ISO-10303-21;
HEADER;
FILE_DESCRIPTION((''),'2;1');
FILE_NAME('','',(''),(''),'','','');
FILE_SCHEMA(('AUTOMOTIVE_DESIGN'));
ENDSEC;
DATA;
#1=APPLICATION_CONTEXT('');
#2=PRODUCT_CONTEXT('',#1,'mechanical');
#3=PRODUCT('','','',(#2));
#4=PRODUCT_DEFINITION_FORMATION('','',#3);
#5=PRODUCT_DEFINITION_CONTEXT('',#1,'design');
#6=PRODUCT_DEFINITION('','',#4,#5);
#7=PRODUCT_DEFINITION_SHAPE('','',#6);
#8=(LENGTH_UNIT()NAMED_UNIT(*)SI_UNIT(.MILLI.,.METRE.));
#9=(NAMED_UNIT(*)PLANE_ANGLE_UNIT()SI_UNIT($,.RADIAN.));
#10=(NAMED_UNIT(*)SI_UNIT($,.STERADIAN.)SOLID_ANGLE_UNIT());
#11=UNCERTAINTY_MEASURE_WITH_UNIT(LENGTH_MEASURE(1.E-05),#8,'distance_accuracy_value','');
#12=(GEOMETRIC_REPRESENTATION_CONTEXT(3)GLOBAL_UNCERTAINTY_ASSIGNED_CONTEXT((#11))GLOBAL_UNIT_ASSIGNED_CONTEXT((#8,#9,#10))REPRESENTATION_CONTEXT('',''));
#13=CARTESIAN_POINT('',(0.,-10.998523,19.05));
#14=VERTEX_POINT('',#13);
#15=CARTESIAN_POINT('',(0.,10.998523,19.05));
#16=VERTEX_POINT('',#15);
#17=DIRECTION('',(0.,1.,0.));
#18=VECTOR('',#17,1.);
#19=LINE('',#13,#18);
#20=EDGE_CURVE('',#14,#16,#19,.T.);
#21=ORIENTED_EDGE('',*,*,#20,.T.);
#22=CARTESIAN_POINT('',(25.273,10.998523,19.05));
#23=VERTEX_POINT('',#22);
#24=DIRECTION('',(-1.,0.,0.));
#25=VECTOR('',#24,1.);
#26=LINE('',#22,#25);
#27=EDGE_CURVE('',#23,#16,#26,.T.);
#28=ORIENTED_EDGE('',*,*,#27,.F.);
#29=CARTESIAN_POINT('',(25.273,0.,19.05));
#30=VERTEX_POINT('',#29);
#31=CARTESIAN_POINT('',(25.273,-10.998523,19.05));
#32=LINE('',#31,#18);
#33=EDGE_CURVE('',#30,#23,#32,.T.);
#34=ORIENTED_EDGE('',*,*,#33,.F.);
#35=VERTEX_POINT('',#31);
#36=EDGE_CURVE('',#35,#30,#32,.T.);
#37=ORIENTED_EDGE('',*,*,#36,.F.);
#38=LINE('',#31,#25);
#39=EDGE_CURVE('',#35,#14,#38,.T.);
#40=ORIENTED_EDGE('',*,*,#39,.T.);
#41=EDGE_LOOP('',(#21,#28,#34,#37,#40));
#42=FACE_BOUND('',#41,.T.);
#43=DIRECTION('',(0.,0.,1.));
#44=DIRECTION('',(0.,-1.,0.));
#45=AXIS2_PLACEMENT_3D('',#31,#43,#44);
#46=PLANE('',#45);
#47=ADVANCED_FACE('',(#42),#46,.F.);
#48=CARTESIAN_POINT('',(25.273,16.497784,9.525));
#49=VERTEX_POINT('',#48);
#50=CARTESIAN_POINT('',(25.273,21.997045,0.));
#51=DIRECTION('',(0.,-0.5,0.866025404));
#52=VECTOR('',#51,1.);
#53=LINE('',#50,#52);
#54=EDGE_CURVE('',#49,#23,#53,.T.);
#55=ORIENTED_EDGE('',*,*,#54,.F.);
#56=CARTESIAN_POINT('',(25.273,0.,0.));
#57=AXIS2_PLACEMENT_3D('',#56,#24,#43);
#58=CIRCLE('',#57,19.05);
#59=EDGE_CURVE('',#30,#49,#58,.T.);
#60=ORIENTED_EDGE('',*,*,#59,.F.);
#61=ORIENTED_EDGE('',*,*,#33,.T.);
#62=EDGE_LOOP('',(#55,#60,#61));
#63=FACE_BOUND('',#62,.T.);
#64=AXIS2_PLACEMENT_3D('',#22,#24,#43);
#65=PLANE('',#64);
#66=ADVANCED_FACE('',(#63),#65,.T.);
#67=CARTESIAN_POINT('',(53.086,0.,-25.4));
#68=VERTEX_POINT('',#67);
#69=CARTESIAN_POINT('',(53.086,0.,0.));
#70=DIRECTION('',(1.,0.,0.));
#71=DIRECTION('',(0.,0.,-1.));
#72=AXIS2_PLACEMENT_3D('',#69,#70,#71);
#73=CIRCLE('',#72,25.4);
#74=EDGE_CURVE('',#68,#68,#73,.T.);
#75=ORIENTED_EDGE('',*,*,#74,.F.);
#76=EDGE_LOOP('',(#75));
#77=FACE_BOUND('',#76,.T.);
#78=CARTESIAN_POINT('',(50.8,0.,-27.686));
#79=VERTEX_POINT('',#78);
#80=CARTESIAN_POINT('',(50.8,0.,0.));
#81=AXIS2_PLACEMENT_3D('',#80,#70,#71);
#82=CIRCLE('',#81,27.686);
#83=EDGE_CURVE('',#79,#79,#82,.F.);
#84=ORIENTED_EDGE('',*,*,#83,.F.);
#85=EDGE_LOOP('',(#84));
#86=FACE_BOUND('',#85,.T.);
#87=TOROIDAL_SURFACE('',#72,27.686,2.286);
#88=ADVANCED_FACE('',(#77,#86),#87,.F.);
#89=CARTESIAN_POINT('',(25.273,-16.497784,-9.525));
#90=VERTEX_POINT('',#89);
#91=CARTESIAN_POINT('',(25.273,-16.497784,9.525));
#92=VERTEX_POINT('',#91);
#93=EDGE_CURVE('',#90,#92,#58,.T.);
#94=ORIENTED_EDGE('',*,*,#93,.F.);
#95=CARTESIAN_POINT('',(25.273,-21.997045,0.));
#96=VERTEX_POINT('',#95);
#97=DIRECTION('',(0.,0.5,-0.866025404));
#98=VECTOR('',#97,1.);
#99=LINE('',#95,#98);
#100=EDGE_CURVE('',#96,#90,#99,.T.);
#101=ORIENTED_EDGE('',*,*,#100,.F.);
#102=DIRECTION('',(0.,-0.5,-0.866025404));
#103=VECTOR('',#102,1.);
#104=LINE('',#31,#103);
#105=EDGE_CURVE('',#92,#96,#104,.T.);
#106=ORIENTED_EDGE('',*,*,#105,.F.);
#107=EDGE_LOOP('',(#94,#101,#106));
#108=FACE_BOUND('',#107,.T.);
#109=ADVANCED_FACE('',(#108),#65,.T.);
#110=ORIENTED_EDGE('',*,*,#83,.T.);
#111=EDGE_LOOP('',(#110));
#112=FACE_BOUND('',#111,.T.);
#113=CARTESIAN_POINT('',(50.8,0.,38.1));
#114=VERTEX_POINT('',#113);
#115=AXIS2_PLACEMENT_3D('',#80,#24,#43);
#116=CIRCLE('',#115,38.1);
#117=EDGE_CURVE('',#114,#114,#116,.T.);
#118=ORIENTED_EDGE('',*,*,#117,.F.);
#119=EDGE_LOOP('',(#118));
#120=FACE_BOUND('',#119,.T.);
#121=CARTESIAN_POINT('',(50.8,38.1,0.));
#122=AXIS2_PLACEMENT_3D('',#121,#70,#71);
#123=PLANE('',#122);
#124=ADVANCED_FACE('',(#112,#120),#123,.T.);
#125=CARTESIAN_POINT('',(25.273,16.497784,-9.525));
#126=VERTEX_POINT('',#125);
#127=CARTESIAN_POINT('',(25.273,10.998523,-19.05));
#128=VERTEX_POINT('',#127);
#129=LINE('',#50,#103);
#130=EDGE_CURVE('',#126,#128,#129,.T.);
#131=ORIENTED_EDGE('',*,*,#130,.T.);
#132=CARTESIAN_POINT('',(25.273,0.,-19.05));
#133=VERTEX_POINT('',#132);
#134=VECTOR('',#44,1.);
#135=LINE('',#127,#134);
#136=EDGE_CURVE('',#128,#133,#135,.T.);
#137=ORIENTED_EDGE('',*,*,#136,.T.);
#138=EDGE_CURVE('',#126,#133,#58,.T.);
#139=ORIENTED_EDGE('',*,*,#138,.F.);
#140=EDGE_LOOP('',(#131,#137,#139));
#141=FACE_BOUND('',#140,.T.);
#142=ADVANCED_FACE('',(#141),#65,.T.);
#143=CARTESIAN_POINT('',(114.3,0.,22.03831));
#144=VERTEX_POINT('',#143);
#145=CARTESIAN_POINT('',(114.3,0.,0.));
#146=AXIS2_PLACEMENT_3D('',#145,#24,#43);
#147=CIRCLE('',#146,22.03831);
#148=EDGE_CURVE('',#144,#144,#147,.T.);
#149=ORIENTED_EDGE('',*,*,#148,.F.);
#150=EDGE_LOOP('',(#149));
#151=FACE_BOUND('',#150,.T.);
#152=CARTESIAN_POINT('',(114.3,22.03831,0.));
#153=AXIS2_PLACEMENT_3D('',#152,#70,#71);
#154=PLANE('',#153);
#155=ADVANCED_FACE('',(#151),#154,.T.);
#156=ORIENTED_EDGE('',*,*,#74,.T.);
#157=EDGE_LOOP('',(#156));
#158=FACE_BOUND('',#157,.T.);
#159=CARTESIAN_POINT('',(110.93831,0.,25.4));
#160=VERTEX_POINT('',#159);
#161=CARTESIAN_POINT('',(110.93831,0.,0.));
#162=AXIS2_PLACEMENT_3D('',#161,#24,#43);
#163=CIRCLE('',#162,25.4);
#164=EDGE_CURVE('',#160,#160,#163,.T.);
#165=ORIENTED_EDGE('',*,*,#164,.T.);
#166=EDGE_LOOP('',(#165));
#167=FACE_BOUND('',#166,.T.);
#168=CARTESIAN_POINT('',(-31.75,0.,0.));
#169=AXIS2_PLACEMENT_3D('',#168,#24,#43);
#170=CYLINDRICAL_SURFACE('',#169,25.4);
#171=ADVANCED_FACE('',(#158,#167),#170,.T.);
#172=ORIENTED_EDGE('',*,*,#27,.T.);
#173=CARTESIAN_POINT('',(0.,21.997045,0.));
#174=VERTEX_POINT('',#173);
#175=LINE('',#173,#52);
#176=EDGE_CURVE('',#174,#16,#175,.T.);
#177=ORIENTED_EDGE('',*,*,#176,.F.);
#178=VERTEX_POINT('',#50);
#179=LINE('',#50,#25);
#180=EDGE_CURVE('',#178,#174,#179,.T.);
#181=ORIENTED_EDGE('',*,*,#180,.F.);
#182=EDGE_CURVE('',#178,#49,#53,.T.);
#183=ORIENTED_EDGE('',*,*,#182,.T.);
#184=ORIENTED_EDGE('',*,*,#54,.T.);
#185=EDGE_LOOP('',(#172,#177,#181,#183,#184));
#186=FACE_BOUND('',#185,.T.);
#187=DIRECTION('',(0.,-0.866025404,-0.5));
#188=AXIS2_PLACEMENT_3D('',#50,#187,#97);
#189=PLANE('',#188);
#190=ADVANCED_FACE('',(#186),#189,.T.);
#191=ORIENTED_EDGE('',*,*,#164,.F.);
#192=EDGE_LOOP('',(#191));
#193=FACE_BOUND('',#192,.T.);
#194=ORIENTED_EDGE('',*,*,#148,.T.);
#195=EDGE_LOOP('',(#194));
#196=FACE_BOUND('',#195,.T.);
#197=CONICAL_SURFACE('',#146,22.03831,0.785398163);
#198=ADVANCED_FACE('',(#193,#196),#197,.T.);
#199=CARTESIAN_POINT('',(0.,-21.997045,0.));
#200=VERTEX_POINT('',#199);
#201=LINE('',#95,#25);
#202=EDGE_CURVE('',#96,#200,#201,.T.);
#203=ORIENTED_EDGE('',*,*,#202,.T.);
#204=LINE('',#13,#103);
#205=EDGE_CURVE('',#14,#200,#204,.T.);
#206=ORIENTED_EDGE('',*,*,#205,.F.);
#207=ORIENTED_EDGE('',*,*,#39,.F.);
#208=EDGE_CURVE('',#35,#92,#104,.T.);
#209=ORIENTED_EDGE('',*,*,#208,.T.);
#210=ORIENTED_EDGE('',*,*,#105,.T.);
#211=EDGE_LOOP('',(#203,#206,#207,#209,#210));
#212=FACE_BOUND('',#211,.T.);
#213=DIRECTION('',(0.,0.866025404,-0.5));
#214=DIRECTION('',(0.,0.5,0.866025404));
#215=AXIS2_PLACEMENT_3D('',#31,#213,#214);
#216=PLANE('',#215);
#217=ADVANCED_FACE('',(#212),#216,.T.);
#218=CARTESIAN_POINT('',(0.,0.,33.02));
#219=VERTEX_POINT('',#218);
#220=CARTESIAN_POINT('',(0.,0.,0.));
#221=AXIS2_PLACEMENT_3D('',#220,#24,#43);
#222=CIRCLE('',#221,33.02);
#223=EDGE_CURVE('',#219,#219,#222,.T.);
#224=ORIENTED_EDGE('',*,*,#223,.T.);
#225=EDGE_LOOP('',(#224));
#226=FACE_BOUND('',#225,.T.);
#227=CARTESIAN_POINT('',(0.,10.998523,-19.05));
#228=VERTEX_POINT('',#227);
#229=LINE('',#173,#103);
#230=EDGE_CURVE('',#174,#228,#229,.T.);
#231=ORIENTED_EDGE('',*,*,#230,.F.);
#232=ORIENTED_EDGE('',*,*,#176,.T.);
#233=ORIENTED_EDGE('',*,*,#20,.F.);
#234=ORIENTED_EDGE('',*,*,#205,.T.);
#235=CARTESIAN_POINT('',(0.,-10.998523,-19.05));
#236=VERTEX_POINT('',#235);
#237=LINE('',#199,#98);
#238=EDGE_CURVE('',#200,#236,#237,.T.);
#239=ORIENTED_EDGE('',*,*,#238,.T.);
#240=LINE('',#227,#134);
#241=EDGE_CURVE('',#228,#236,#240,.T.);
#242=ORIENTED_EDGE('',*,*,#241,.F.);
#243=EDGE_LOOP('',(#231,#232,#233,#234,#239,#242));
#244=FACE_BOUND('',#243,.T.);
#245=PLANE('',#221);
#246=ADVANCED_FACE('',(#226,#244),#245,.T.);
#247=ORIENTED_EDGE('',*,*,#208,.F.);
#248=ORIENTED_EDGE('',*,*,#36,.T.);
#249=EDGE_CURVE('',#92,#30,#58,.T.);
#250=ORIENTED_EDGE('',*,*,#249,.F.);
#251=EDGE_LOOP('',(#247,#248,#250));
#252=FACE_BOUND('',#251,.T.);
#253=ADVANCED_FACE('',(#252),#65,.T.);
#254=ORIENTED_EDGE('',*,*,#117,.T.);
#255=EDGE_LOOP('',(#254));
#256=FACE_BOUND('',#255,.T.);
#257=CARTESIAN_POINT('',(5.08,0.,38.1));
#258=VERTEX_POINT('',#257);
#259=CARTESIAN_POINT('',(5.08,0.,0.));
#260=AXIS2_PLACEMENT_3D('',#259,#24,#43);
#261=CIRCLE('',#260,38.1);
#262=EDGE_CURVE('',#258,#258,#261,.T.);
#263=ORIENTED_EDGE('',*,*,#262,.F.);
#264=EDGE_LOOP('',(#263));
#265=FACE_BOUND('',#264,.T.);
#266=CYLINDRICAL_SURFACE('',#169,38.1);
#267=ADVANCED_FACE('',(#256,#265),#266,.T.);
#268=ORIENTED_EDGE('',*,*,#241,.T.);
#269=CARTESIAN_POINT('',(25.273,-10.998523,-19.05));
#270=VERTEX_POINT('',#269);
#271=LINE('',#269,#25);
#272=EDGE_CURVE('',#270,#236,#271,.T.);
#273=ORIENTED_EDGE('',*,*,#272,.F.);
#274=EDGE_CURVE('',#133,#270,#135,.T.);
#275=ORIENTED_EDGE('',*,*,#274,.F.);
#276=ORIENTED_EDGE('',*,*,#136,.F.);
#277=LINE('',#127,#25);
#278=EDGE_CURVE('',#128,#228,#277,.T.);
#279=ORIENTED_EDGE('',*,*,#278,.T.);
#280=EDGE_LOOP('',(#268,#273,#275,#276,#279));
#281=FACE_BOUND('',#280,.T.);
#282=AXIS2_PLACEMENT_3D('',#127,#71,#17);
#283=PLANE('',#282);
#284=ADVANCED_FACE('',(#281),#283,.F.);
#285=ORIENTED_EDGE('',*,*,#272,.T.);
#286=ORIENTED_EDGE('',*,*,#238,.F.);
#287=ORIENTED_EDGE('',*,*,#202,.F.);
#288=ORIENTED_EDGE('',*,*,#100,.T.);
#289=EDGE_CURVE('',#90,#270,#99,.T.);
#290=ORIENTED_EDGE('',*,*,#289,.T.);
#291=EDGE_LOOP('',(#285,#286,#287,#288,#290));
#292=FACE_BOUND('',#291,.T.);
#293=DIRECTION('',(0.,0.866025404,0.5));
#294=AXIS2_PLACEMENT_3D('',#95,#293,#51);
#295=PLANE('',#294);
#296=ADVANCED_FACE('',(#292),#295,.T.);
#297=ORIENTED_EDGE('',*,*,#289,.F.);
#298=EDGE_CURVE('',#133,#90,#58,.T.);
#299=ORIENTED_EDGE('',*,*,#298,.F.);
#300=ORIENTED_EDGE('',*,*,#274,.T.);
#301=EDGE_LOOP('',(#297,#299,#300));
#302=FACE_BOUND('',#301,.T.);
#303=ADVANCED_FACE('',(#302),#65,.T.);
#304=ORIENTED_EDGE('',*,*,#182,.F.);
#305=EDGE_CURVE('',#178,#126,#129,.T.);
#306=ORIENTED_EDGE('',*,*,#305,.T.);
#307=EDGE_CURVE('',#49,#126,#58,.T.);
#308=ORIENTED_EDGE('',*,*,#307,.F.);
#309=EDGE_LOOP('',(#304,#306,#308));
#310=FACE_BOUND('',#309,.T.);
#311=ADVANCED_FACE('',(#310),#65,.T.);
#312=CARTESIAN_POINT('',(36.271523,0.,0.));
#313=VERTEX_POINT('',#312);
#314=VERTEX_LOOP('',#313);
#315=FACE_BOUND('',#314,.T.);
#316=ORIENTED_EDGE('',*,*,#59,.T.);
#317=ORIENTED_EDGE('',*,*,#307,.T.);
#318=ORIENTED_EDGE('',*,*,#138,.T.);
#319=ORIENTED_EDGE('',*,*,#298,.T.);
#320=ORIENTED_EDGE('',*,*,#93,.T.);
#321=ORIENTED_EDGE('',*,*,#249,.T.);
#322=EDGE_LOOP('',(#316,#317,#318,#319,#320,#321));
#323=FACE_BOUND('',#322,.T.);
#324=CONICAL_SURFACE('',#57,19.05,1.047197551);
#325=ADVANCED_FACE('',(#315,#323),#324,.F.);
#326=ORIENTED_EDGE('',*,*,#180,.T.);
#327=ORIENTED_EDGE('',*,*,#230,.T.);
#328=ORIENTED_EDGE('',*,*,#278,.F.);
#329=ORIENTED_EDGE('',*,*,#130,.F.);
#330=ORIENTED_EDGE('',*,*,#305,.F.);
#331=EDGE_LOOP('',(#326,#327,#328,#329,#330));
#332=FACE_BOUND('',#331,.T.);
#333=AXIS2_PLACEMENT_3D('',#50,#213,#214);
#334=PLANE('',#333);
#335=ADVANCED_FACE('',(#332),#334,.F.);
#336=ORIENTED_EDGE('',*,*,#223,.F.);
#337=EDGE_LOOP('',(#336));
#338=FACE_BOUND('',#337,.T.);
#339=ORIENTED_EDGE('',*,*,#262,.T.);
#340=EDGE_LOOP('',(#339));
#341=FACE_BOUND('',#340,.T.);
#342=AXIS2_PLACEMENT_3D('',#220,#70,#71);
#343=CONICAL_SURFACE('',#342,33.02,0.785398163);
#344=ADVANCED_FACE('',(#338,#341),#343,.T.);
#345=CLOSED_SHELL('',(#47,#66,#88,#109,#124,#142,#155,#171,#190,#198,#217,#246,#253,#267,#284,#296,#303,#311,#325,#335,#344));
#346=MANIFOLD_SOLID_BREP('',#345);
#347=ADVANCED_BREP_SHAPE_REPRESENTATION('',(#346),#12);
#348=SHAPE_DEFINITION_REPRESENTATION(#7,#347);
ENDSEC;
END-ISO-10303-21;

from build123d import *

# Parameters (mm, degrees)
FILLET1_R   = 2.286
HEX_2_DEPTH = 25.273


with BuildPart() as part:
    # BodySke → Base-Revolve (revolve)
    with BuildSketch(Plane.XY, mode=Mode.PRIVATE) as base_revolve_sk:
        Polygon((0, 0), (0, 33.02), (5.08, 38.1), (50.8, 38.1), (50.8, 25.4), (110.93831, 25.4), (114.3, 22.03831), (114.3, 0), align=None)
    revolve(base_revolve_sk.sketch.rotate(Axis((-31.75, 0, 0), (1, 0, 0)), 90), axis=Axis((-31.75, 0, 0), (1, 0, 0)))

    # Fillet1
    fillet1_edges = [part.edges().sort_by_distance(p)[0] for p in [
        (50.8, 0, -25.4),
    ]]
    fillet(fillet1_edges, radius=FILLET1_R)

    # Sketch2 → Hex-PreBroach (revolve, cut)
    with BuildSketch(Plane.XY, mode=Mode.PRIVATE) as hex_prebroach_sk:
        Polygon((0, 19.05), (25.273, 19.05), (36.271522628, 0), (0, 0), align=None)
    revolve(hex_prebroach_sk.sketch.rotate(Axis((0, 0, 0), (1, 0, 0)), 90), axis=Axis((0, 0, 0), (1, 0, 0)), mode=Mode.SUBTRACT)

    # Sketch3 → Hex 2 (cut)
    with BuildSketch(Plane(origin=(0, 0, 0), x_dir=(0, 0.500000000000001, 0.866025403784438), z_dir=(-1, 0, 0))):
        Polygon((10.998522628, 19.05), (-10.998522628, 19.05), (-21.997045256, 0), (-10.998522628, -19.05), (10.998522628, -19.05), (21.997045256, 0), align=None)
    extrude(amount=-HEX_2_DEPTH, mode=Mode.SUBTRACT)


solid = part.part
